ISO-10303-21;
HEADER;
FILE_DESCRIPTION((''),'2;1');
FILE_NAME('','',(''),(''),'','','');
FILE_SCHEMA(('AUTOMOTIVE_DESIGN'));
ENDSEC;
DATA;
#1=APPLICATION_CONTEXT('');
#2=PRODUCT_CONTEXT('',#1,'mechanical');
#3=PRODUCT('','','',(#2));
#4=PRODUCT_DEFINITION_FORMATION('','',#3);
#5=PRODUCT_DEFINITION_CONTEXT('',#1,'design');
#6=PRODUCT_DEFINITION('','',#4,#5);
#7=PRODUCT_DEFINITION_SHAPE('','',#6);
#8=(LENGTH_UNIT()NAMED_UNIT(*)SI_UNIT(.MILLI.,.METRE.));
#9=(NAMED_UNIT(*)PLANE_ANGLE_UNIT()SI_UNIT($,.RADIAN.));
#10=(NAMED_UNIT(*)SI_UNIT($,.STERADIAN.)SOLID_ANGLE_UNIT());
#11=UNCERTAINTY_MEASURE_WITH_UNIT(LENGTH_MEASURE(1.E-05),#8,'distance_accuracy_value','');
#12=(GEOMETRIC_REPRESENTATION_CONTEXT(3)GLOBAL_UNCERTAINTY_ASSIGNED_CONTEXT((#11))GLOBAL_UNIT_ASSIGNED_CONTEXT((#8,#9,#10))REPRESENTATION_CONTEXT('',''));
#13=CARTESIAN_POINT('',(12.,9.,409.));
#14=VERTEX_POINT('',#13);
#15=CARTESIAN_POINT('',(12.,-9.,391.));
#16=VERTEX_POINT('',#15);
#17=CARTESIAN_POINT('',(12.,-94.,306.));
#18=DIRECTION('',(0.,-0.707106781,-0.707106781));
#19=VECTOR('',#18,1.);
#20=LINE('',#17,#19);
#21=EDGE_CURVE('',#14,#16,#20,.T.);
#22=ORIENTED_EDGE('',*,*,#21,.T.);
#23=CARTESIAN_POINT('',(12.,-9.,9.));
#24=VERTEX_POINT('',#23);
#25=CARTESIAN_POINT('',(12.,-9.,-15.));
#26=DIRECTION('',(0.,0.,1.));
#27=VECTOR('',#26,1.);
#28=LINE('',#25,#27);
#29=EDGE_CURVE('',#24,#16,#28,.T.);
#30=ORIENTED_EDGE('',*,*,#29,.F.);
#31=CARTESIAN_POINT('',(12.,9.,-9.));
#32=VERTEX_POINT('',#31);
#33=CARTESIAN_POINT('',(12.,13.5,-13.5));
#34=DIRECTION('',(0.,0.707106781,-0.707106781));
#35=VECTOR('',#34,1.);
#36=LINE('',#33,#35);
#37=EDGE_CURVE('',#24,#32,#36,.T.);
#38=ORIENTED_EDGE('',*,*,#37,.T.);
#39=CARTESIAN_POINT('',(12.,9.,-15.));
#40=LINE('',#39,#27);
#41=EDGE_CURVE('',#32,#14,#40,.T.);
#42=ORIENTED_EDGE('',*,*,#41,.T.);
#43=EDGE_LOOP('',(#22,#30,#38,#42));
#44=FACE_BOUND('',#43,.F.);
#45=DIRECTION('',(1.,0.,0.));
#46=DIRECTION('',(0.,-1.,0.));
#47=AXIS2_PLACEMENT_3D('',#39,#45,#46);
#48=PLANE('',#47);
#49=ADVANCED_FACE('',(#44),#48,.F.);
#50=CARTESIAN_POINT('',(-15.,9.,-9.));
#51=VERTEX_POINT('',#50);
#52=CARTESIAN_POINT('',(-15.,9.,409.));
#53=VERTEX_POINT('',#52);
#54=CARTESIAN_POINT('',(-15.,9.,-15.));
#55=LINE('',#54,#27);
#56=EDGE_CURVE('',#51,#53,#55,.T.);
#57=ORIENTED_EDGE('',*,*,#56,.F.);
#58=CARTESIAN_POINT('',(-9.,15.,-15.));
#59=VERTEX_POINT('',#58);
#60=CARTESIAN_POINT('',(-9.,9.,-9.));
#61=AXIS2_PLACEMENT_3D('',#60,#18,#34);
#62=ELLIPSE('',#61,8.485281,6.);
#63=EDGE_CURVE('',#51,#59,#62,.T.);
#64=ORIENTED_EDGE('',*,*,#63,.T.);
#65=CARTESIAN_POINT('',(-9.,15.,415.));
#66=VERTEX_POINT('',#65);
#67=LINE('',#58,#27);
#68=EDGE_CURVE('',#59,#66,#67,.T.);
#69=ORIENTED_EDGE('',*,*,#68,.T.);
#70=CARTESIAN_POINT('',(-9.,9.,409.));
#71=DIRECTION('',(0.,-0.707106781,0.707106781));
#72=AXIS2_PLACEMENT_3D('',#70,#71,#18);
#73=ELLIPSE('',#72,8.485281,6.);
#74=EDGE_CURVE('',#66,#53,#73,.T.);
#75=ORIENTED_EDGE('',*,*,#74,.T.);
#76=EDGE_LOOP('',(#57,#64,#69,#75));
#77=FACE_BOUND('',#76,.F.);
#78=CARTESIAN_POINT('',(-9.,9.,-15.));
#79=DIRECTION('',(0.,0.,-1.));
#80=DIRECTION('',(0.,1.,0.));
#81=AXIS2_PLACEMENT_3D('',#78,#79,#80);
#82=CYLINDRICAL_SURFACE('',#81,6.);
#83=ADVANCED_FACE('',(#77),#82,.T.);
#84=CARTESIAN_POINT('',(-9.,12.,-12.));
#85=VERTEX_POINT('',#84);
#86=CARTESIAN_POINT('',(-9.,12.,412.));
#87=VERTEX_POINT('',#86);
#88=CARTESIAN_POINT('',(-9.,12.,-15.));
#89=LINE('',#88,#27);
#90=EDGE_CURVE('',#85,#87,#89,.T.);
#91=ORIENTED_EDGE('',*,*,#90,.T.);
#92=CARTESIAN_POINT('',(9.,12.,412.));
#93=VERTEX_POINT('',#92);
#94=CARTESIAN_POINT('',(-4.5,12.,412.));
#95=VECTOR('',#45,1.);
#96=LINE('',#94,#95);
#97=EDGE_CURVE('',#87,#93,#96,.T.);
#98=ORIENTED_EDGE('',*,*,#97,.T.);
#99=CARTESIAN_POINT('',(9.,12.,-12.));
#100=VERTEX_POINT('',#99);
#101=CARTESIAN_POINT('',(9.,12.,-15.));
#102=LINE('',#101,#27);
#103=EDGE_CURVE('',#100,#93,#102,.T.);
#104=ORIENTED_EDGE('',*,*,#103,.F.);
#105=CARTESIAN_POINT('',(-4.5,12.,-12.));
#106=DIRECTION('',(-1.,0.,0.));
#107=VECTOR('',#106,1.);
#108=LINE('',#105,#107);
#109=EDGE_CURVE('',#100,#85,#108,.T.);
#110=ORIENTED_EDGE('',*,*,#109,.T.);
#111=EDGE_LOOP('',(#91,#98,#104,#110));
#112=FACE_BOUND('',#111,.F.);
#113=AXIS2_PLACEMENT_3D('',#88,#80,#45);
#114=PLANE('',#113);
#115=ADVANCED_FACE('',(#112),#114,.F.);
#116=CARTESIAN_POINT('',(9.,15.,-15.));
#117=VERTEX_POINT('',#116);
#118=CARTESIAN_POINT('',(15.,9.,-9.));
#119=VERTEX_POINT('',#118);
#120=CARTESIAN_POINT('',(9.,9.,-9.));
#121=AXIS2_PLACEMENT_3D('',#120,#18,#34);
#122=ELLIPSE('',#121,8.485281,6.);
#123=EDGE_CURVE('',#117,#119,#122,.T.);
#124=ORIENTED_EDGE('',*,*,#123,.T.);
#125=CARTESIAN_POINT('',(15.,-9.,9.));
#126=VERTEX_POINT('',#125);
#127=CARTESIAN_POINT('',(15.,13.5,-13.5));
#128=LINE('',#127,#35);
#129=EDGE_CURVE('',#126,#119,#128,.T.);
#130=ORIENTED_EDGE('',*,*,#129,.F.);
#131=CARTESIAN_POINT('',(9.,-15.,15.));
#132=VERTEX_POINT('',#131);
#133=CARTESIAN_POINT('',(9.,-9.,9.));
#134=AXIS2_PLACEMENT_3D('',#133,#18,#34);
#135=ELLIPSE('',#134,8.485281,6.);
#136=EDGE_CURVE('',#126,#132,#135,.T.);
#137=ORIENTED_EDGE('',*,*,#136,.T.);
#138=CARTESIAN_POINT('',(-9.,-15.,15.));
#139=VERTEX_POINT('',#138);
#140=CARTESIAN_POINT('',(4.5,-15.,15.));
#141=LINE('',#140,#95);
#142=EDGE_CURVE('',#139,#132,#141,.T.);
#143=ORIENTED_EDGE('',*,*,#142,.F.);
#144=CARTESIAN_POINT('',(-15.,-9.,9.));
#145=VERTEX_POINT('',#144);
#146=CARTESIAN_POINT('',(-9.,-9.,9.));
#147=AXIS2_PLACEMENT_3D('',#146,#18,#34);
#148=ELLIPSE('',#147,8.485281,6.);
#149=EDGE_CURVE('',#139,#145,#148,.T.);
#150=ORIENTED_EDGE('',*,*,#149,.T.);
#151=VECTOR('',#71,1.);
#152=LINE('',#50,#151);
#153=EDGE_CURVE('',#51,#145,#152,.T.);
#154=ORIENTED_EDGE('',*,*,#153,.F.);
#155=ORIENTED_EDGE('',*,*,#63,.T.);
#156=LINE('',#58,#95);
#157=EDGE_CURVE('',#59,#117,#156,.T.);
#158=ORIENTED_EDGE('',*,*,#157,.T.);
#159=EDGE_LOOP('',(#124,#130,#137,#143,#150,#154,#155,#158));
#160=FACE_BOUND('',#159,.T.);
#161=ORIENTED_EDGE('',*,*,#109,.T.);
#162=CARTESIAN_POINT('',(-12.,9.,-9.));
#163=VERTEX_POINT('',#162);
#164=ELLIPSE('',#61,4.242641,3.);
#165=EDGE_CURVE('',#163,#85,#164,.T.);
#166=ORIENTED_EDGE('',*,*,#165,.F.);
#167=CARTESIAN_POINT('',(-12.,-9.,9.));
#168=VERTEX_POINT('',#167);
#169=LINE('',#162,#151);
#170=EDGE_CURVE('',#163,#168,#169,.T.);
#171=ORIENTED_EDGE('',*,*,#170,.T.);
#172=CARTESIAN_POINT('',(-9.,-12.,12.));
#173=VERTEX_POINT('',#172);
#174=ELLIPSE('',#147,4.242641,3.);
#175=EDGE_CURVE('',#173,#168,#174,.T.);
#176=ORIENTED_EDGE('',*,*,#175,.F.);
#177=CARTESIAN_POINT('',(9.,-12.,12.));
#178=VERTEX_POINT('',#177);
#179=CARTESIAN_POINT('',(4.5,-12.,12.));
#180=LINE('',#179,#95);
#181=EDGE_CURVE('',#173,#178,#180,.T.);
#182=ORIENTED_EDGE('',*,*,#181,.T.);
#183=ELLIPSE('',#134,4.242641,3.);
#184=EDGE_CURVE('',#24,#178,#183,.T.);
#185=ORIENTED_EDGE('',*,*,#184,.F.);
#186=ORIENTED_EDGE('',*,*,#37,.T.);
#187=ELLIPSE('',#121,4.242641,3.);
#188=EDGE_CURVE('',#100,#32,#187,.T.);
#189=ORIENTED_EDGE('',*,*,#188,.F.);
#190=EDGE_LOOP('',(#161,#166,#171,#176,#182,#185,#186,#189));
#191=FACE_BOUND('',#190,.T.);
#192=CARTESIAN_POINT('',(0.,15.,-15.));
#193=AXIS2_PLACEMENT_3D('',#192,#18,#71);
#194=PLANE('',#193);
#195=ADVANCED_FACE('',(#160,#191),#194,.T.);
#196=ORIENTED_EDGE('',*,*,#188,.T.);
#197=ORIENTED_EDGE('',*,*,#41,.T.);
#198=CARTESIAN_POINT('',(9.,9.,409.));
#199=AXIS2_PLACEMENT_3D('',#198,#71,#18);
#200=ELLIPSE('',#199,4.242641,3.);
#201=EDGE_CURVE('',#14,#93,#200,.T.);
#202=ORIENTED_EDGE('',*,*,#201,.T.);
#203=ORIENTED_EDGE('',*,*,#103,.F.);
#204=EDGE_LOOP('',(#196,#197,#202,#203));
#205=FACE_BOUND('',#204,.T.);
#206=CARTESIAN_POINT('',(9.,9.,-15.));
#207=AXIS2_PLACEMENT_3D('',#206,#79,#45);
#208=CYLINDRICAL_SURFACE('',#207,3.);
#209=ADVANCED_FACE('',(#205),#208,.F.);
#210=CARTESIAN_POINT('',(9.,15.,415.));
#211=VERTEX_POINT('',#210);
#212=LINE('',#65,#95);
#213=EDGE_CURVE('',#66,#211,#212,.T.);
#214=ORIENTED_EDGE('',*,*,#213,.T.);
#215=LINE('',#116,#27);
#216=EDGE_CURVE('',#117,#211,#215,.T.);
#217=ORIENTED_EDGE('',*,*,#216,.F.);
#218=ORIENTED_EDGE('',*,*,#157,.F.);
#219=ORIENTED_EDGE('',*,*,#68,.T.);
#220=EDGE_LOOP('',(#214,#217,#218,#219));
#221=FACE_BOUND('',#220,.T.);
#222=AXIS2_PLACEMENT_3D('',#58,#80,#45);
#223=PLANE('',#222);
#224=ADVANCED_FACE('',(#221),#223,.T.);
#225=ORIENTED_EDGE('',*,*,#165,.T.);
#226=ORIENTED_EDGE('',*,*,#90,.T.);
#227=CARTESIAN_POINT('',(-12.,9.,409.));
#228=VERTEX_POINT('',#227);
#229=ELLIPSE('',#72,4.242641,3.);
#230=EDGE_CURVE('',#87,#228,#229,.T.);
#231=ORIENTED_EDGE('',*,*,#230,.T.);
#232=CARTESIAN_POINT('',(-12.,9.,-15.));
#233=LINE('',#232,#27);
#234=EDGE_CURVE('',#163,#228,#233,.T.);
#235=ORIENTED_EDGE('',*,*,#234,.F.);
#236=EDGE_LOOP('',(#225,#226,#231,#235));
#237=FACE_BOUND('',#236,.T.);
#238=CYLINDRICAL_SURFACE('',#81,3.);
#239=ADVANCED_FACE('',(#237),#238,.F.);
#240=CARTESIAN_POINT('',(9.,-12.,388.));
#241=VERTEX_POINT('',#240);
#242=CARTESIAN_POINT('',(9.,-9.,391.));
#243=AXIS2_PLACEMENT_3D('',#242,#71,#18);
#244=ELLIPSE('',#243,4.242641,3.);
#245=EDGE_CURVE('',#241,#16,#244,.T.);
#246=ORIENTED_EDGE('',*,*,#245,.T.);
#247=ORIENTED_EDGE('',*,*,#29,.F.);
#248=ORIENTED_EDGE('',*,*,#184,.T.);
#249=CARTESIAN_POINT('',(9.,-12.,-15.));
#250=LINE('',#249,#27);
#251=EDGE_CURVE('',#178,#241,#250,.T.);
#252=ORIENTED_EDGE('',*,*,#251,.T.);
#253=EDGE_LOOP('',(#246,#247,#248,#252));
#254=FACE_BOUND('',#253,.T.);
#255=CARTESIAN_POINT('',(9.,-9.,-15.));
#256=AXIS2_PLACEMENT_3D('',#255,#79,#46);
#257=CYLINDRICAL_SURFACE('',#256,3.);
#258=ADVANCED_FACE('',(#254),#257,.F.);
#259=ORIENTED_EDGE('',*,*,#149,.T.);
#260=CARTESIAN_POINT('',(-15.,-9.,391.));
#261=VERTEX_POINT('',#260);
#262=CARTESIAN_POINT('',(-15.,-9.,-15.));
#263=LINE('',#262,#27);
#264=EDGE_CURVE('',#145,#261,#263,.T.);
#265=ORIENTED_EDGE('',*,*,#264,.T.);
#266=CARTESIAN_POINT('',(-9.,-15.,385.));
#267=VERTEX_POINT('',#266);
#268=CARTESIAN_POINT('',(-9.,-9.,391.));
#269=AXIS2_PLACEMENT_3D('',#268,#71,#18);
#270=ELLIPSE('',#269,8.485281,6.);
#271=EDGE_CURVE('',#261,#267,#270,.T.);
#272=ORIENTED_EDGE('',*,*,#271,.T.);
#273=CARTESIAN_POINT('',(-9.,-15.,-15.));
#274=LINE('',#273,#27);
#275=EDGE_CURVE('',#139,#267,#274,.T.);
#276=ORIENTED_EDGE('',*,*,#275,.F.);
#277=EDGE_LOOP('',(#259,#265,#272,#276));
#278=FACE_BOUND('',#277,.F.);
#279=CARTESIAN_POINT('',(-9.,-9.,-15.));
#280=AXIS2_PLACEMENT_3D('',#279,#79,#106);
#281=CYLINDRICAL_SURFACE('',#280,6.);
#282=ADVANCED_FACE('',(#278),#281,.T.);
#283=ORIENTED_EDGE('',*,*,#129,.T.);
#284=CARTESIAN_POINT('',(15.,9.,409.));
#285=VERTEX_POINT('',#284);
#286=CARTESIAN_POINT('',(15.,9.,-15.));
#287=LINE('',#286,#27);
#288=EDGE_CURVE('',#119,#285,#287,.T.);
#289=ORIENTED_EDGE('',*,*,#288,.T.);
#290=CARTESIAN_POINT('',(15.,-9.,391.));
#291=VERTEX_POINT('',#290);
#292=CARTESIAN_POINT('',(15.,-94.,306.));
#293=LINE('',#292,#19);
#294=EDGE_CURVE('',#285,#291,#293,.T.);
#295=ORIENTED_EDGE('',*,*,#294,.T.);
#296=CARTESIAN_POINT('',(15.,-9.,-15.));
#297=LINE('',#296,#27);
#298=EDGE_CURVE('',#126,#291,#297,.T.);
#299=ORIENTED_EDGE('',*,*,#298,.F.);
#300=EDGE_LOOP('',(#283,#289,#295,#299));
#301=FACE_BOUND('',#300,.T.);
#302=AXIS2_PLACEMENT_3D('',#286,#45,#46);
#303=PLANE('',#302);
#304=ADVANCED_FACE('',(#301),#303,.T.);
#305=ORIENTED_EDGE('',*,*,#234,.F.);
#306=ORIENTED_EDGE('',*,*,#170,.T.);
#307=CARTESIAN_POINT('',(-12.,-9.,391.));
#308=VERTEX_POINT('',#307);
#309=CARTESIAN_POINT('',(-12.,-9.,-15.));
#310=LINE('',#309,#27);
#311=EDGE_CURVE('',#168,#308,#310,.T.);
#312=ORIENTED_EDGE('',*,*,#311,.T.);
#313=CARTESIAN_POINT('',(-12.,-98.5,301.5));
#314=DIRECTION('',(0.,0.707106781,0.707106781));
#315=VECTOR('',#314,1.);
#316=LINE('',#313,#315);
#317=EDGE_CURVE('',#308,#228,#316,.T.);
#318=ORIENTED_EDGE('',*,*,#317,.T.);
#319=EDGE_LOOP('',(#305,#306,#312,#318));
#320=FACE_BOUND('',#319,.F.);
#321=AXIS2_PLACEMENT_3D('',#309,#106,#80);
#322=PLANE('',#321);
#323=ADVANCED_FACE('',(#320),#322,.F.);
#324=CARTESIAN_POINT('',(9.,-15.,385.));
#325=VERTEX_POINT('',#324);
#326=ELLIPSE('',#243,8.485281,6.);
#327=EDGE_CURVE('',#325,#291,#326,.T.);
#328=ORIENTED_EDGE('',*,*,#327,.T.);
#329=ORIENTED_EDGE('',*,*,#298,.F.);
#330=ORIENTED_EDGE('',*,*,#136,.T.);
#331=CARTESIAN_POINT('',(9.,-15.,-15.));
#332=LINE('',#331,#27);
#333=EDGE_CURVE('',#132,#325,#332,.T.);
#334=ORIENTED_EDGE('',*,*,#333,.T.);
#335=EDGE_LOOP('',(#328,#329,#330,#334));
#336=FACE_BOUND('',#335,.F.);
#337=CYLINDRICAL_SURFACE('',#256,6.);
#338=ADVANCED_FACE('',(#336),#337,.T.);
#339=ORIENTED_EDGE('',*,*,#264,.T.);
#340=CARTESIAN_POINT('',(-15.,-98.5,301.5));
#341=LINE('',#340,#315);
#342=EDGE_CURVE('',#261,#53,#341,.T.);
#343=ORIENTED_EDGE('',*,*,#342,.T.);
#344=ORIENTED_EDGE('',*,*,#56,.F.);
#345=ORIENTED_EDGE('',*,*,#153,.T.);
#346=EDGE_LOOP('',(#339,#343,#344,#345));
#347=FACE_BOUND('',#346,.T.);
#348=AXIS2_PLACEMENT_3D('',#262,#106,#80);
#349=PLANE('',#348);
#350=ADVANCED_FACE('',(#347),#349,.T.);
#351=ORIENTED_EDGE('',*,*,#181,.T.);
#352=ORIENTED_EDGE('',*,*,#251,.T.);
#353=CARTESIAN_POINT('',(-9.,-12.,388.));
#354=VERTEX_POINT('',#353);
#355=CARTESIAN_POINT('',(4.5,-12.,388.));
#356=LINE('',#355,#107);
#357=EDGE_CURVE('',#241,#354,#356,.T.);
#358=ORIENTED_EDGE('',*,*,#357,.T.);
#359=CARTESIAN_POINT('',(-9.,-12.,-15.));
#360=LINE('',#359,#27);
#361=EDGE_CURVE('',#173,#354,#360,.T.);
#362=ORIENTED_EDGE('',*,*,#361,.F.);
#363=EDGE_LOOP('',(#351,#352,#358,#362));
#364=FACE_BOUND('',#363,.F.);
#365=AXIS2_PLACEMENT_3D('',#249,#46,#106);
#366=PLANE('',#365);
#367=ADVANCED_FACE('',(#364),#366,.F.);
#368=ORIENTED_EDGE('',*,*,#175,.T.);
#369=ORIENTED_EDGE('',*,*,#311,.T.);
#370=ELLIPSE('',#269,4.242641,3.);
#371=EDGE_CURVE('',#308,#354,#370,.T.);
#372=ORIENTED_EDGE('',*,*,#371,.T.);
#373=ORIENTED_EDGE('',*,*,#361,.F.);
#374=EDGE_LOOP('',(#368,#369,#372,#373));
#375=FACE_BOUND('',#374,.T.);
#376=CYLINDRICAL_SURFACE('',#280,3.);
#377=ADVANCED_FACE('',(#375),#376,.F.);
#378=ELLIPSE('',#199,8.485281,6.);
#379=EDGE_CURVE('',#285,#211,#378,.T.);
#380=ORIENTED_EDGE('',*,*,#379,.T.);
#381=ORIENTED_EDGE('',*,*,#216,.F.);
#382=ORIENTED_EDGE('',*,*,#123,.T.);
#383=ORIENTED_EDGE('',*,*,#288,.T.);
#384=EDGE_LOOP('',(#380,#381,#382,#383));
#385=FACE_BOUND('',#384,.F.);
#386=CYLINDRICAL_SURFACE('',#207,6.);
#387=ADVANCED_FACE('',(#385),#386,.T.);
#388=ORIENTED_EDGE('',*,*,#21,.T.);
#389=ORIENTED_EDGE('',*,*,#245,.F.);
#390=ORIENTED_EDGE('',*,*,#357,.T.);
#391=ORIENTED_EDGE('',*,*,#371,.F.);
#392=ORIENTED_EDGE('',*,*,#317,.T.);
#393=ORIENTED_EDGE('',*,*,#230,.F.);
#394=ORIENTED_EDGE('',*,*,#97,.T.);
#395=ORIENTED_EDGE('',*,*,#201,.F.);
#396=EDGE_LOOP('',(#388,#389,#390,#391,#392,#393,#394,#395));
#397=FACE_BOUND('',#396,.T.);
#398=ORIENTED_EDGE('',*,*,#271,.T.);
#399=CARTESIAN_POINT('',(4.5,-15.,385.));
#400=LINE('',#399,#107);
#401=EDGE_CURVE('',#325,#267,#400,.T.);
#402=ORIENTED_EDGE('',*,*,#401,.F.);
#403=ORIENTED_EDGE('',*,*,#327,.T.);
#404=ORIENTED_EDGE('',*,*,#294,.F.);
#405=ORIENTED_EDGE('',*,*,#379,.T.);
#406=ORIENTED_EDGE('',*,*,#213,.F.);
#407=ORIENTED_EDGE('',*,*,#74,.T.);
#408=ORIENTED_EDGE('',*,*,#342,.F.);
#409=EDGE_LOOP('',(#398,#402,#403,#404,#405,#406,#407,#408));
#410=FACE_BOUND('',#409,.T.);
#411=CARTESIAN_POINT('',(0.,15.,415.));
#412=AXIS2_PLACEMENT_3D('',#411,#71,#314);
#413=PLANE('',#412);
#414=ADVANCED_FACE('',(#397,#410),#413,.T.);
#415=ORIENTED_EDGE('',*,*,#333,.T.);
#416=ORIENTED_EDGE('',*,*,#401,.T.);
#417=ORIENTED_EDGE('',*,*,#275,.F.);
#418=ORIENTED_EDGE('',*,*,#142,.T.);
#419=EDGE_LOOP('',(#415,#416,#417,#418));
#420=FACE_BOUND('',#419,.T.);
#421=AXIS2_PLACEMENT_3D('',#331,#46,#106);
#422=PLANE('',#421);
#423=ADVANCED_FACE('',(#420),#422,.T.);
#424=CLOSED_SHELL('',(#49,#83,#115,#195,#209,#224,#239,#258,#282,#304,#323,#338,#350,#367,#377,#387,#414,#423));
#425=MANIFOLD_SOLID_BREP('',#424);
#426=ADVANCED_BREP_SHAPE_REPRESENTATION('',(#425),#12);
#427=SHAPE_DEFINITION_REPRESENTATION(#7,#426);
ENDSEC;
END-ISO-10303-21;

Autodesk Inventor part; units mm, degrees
ref_plane "Start Plane" through (0, 0, -15) normal (0, 0, 1) x (1, 0, 0)
ref_plane "End Plane" through (0, 0, 415) normal (0, 0, 1) x (1, 0, 0)
sketch "Sketch" plane through (0, 0, 0) normal (0, 0, 1) x (1, 0, 0)
  line L0 (-15, -9) -> (-15, 9)
  line L1 (-9, 15) -> (9, 15)
  line L2 (15, 9) -> (15, -9)
  line L3 (9, -15) -> (-9, -15)
  arc A0 (-15, -9) -> (-9, -15) centre (-9, -9) ccw
  arc A1 (-9, 15) -> (-15, 9) centre (-9, 9) ccw
  arc A2 (15, 9) -> (9, 15) centre (9, 9) ccw
  arc A3 (9, -15) -> (15, -9) centre (9, -9) ccw
  arc A4 (-9, 12) -> (-12, 9) centre (-9, 9) ccw
  line L4 (-9, 12) -> (9, 12)
  arc A5 (12, 9) -> (9, 12) centre (9, 9) ccw
  line L5 (12, 9) -> (12, -9)
  arc A6 (9, -12) -> (12, -9) centre (9, -9) ccw
  line L6 (9, -12) -> (-9, -12)
  arc A7 (-12, -9) -> (-9, -12) centre (-9, -9) ccw
  line L7 (-12, -9) -> (-12, 9)
  line L8 (0, 22.7397) -> (0, -22.7397) construction
  line L9 (-22.7397, 0) -> (22.7397, 0) construction
  dimension "d7" = 6
  dimension "d10" = 30
  dimension "d11" = 30
  dimension "d12" = 3
  dimension "d15" = 15
  dimension "d16" = 15
extrude "Body" add sketch "Sketch" along normal up to surface (430 mm away) from surface at -15
sketch "Sketch3" plane through (0, 0, 0) normal (0, 0, 1) x (1, 0, 0)
  line L0 (0, 0) -> (10, 0)
ref_plane "Work Plane3" through (0, 0, 0) normal (0, -1, 0) x (1, 0, 0)
ref_plane "Work Plane4" through (0, 15, 415) normal (0, -0.7071, 0.7071) x (1, 0, 0)
split "Split1" plane through (0, 15, 415) removes the side toward (0, -0.7071, 0.7071)
ref_plane "Work Plane5" through (0, 15, -15) normal (0, -0.7071, -0.7071) x (1, 0, 0)
split "Split2" plane through (0, 15, -15) removes the side toward (0, -0.7071, -0.7071)
sketch "Sketch4" plane through (0, 0, 0) normal (0, -1, 0) x (1, 0, 0)
  line L0 (-2, -15) -> (12, -15) projected
  line L1 (-2, 415) -> (12, 415) projected
  dimension "d18" = 430
equation "\"d7\" = G_IR"
equation "\"d10\" = G_H"
equation "\"d11\" = G_W"
equation "\"d12\" = G_T"
equation "\"d15\" = 0.5 * d10"
equation "\"d16\" = 0.5 * d11"
equation "\"d3\" = G_L"
equation "\"G_W\" = 30"
equation "\"G_H\" = 30"
equation "\"G_T\" = 3"
equation "\"G_IR\" = 6"
equation "\"G_L\" = d18"
equation "\"G_OFFSET_START\" = 15"
equation "\"G_OFFSET_END\" = 15"
equation "\"d13\" = -G_OFFSET_START"
equation "\"d14\" = G_OFFSET_END + B_L"
equation "\"B_L\" = 400"
properties part number "DIN EN 10219-2 - 30 x 30 x 3  - 430" material "Steel, Mild"
